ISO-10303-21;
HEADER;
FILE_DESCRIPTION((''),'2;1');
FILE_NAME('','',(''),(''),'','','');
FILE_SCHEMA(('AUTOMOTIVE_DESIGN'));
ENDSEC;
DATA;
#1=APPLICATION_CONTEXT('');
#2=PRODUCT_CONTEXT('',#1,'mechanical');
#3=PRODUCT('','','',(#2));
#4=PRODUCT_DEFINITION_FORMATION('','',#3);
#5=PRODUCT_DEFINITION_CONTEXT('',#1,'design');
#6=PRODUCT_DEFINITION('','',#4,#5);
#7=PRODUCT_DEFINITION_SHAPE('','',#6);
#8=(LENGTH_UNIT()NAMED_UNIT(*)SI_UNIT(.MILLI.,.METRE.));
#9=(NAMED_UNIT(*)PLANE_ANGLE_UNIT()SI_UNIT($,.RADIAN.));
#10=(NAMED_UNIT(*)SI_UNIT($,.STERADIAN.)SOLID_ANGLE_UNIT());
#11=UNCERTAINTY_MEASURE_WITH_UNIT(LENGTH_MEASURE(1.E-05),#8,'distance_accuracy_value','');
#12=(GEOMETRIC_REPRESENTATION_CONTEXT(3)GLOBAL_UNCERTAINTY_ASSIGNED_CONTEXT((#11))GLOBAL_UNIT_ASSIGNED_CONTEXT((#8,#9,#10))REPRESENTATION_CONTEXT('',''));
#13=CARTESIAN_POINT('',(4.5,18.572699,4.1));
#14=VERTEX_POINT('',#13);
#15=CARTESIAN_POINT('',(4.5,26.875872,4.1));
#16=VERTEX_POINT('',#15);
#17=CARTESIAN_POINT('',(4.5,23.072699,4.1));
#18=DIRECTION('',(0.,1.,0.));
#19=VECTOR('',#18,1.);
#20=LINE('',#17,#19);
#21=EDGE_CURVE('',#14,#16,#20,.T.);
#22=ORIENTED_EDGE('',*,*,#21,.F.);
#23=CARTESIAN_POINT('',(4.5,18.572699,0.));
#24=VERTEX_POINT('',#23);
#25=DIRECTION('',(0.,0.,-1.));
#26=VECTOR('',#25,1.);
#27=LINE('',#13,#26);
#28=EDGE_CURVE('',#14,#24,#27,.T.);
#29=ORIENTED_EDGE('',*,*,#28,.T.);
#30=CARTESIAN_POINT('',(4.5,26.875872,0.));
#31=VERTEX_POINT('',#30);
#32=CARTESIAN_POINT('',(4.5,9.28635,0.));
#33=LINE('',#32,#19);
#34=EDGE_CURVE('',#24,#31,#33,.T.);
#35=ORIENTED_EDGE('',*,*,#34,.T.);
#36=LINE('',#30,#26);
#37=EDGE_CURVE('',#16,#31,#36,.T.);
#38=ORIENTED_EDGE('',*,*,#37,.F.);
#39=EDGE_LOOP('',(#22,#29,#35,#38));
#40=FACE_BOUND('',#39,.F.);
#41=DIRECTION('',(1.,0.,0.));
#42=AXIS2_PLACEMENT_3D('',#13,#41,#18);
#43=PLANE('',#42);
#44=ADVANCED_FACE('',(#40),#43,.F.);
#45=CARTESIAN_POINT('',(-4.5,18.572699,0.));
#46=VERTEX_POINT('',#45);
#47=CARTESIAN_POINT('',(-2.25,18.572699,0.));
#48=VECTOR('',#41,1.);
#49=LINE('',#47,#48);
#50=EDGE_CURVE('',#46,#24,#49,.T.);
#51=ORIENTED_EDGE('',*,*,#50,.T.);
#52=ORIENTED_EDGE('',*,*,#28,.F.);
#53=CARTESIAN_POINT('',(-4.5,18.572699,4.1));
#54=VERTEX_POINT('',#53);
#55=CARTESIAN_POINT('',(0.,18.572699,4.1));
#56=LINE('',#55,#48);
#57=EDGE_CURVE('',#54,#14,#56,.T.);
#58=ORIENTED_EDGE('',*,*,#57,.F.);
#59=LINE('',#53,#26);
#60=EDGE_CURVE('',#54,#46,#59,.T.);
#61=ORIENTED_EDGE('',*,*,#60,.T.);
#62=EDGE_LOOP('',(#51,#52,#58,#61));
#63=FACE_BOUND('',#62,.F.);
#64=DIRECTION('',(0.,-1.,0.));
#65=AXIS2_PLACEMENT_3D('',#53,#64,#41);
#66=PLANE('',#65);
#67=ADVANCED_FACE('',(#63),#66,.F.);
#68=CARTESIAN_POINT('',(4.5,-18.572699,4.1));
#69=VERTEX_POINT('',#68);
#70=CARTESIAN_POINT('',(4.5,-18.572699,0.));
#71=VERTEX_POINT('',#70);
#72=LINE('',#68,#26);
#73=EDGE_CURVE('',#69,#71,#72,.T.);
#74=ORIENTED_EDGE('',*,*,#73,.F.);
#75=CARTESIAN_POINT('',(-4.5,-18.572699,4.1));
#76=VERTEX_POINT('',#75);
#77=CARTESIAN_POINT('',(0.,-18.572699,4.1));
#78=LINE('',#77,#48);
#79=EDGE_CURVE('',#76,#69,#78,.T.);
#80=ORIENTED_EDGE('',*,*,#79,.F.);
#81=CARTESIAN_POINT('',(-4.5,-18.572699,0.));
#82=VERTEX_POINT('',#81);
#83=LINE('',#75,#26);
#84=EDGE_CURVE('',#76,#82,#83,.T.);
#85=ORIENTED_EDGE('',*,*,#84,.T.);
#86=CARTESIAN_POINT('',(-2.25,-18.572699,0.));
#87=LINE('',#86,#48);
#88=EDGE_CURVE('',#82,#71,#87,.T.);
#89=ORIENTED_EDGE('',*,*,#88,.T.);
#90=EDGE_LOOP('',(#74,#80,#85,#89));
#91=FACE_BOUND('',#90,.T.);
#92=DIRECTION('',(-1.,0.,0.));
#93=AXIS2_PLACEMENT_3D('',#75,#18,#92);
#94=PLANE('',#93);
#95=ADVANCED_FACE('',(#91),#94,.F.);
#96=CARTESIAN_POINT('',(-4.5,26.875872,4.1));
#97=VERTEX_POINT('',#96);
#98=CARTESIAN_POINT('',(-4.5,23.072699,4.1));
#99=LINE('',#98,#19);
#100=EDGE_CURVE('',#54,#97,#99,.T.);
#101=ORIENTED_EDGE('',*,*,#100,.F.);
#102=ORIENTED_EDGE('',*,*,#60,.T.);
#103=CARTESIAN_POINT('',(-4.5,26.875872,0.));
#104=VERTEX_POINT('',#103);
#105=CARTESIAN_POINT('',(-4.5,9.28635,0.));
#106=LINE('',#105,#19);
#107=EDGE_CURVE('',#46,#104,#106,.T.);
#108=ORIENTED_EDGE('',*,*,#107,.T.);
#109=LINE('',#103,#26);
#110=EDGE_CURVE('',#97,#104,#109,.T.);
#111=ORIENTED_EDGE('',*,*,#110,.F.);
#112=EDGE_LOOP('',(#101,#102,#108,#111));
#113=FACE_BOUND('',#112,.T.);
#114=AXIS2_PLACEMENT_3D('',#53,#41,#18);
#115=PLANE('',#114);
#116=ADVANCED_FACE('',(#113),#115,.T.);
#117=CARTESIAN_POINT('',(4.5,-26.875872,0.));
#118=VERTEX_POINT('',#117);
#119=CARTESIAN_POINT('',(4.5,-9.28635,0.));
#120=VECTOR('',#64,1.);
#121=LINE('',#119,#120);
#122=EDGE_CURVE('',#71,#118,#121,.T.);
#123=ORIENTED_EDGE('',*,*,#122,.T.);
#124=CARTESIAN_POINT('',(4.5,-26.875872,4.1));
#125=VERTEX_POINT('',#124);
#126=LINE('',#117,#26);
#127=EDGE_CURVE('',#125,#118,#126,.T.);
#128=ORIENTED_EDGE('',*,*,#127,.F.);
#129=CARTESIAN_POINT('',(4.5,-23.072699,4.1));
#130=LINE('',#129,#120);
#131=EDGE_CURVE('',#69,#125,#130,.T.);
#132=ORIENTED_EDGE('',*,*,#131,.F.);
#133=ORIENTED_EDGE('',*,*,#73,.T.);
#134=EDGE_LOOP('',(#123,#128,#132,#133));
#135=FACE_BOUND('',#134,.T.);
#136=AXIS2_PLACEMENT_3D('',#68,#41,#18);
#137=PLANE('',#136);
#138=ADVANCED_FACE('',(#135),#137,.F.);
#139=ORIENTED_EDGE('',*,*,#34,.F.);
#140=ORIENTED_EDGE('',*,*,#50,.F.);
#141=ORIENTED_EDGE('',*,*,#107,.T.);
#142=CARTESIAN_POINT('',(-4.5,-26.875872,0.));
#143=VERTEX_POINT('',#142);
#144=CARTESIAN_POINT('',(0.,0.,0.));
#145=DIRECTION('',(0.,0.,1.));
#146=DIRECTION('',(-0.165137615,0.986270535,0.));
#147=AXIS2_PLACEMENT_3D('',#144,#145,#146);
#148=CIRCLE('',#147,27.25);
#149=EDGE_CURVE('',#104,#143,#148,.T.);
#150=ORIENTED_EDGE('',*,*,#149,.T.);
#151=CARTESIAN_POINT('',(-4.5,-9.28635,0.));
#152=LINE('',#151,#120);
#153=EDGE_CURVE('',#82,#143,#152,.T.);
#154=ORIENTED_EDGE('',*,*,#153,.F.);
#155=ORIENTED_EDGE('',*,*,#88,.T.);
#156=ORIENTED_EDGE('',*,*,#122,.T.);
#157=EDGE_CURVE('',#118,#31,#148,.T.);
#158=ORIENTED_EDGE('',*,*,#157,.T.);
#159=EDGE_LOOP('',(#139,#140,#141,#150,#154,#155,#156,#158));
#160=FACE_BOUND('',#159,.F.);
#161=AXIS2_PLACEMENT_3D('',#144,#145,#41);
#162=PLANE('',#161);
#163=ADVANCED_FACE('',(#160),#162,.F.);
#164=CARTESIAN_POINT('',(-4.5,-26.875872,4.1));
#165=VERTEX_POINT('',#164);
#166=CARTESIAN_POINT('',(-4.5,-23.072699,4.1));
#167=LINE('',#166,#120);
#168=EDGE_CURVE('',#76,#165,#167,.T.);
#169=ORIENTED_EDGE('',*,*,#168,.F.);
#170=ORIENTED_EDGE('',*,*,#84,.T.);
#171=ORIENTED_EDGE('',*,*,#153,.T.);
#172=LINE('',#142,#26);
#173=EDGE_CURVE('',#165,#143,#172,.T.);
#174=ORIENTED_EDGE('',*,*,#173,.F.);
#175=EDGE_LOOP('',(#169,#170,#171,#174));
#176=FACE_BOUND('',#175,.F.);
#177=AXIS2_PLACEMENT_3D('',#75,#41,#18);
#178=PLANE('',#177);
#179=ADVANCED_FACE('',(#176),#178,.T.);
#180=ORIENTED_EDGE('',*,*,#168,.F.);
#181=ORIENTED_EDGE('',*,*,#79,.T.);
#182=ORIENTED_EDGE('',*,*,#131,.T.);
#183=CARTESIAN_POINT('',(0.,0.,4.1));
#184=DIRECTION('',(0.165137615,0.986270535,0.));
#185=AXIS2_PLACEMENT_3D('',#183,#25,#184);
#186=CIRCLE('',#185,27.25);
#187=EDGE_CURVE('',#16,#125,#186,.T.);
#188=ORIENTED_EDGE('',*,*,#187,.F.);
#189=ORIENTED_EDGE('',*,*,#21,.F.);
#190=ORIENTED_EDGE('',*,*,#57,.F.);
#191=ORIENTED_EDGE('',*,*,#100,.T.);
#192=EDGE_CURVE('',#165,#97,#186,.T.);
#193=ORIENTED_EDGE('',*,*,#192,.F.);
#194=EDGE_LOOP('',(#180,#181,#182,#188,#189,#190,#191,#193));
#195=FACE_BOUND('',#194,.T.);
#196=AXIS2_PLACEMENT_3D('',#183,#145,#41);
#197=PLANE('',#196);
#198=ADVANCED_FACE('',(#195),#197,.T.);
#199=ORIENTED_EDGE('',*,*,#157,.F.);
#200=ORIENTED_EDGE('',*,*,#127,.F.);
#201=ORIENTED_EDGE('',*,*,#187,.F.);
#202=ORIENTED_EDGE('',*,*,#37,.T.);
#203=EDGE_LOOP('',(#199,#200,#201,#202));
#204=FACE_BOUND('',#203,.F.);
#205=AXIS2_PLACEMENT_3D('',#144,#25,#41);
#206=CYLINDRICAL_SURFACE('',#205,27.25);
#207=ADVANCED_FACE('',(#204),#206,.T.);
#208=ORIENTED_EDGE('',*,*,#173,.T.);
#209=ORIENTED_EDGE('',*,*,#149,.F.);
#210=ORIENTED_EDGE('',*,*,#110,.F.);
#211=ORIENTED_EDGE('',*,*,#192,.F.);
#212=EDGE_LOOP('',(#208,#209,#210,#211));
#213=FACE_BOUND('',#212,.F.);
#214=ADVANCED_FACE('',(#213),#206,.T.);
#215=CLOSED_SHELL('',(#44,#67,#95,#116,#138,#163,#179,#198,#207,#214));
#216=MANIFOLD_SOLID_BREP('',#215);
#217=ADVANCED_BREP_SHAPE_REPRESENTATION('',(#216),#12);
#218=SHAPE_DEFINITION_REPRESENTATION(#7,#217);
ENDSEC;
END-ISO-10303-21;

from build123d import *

# Parameters (mm, degrees)
SKETCH_R     = 27.25
PAD_DEPTH    = 4.1
SKETCH001_W  = 9
SKETCH001_H  = 9
POCKET_DEPTH = 5


with BuildPart() as part:
    # Sketch → Pad (new body)
    with BuildSketch(Plane.XY):
        Circle(SKETCH_R)
    extrude(amount=PAD_DEPTH)

    # Sketch001 (on DatumPlane) → Pocket (cut)
    with BuildSketch(Plane.XY.offset(4.1)):
        with Locations((0, 23.072699)):
            Rectangle(SKETCH001_W, SKETCH001_H)
    pocket = extrude(amount=-POCKET_DEPTH, mode=Mode.SUBTRACT)

    # Mirrored: Pocket across Sketch001 H_Axis
    add(pocket.mirror(Plane(origin=(0, 0, 4.1), x_dir=(0, 0, 1), z_dir=(0, 1, 0))), mode=Mode.SUBTRACT)


solid = part.part
